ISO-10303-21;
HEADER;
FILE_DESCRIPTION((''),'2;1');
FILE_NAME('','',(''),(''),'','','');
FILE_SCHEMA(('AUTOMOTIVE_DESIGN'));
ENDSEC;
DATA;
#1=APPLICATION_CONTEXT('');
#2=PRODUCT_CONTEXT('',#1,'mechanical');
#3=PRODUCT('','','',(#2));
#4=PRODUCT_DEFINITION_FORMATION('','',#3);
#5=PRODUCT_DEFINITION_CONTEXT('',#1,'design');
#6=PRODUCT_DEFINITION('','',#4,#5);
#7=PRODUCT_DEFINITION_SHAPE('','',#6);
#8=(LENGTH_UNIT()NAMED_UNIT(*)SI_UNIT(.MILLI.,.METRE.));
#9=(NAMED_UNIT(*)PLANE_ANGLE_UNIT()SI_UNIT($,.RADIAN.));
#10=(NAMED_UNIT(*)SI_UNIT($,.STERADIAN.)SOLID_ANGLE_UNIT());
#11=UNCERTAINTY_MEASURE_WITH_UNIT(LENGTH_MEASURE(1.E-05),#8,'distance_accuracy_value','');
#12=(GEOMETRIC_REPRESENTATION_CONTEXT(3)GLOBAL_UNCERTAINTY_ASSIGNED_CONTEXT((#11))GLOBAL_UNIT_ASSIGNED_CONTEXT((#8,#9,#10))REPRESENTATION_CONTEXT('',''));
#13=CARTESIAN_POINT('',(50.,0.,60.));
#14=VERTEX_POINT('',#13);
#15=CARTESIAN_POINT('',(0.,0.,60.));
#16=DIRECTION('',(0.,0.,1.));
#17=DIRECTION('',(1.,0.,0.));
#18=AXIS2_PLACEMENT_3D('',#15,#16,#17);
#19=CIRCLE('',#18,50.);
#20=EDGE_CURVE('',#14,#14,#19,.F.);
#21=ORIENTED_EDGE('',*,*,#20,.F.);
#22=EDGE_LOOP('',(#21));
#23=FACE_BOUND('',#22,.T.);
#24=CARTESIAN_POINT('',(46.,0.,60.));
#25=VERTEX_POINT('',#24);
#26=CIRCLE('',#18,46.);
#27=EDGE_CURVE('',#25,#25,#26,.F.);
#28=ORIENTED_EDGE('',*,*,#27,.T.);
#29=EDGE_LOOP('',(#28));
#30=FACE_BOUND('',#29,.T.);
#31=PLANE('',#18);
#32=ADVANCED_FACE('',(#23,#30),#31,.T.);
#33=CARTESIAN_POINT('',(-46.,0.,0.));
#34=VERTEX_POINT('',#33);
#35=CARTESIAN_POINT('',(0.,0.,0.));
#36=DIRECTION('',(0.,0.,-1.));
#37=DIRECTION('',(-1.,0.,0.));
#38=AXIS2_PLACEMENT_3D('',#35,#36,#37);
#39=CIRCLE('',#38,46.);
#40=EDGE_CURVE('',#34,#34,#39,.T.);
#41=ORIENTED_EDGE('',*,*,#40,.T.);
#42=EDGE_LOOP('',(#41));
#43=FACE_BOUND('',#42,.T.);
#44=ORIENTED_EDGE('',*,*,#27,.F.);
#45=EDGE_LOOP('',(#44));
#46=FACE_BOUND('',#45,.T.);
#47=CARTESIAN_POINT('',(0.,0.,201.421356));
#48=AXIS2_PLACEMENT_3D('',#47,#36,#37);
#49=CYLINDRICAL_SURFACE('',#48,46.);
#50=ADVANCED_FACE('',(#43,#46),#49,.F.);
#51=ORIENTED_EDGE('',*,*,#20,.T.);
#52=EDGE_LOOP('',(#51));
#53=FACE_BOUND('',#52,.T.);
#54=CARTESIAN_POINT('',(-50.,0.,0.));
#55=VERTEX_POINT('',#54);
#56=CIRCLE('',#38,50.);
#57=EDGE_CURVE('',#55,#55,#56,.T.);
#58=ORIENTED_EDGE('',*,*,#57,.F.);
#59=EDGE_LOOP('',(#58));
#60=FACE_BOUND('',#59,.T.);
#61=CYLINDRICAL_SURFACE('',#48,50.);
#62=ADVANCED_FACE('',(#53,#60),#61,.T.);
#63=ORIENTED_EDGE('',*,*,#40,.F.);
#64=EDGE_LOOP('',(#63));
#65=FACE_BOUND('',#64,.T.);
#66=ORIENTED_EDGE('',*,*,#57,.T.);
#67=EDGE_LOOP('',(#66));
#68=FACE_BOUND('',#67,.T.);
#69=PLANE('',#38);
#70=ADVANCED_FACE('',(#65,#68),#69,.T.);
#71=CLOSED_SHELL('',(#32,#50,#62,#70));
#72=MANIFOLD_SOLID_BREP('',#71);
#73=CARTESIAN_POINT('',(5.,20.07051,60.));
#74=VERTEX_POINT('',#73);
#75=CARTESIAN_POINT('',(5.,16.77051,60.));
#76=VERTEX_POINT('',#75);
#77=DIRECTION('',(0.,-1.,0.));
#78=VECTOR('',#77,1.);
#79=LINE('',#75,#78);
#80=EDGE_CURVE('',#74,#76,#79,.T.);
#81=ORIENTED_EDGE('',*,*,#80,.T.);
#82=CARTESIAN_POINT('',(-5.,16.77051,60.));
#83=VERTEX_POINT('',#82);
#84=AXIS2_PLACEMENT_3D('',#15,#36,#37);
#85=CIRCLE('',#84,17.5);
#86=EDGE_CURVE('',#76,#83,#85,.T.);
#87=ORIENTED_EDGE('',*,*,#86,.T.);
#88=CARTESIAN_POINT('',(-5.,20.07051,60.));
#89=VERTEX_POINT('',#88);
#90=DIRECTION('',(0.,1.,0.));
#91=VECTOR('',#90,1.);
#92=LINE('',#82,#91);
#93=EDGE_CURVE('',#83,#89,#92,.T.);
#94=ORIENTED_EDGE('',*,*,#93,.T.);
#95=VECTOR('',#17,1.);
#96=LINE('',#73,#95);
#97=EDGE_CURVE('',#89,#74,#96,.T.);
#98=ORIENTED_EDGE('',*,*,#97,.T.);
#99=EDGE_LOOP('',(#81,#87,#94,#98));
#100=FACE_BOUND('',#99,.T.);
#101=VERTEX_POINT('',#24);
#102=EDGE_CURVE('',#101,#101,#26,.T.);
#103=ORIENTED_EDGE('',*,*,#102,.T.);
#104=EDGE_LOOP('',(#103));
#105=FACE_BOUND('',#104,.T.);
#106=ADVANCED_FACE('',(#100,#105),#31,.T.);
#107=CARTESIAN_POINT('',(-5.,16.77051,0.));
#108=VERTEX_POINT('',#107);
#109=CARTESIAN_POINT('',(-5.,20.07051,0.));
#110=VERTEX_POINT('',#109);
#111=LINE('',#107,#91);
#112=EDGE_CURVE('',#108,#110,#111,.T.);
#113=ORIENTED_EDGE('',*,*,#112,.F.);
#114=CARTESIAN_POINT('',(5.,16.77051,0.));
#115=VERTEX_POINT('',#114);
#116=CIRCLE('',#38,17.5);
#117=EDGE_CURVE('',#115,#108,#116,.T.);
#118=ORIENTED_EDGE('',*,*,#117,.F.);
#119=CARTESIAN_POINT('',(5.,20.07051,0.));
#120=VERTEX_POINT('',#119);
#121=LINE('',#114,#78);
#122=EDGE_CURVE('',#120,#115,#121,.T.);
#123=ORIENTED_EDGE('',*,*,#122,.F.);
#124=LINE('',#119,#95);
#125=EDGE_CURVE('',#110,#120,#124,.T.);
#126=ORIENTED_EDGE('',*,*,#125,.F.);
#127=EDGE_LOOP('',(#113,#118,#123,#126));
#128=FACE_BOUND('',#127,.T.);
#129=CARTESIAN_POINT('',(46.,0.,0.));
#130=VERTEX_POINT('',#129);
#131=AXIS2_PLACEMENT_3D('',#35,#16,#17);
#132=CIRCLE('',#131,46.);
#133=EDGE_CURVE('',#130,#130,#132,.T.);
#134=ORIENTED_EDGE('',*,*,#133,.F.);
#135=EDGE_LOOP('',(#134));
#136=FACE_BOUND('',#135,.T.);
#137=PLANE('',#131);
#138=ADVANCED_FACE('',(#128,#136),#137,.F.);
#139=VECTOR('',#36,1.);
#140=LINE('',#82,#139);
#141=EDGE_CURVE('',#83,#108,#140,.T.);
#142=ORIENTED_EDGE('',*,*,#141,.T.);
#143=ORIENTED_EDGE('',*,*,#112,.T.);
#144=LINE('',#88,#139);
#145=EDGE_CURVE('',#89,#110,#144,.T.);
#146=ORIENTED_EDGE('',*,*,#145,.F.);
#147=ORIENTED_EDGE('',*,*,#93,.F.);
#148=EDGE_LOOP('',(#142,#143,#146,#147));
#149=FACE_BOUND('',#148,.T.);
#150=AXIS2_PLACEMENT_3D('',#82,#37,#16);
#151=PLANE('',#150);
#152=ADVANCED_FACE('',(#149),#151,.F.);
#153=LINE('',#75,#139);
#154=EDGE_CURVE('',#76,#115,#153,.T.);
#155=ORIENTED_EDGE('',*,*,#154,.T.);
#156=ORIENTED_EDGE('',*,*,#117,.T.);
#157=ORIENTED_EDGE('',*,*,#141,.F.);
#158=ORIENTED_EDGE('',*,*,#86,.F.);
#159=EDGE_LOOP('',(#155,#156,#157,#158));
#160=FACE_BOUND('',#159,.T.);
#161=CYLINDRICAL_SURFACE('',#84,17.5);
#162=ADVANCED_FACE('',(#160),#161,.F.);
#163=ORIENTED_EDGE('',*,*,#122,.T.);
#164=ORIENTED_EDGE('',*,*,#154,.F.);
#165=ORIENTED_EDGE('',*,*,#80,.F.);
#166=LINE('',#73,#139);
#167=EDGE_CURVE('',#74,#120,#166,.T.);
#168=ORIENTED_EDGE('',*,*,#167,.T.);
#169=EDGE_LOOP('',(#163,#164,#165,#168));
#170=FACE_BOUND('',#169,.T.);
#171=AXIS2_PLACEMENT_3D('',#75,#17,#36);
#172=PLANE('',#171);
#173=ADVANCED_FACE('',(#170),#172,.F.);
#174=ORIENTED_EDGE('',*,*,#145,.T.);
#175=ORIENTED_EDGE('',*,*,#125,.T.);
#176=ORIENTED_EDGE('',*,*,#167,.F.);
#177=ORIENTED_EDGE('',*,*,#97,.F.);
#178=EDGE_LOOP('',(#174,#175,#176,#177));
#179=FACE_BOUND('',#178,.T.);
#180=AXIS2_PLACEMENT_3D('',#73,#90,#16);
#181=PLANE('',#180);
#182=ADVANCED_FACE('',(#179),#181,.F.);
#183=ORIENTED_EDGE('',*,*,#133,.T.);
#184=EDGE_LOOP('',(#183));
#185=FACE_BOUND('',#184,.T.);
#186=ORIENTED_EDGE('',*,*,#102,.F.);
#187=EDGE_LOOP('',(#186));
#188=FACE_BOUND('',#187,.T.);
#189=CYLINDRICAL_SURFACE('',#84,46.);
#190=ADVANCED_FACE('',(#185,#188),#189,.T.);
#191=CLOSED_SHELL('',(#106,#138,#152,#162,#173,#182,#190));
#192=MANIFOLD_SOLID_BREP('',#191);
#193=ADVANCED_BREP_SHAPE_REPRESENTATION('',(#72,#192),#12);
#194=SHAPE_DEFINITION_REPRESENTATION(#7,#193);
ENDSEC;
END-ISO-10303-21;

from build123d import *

# Parameters (mm, degrees)
SKETCH1_R           = 46
BOSS_EXTRUDE1_DEPTH = 60
SKETCH2_R           = 17.5
CUT_EXTRUDE1_DEPTH  = 89.498587559
CUT_EXTRUDE2_DEPTH  = 89.498587559
SKETCH4_R           = 50
SKETCH4_R_2         = 46
BOSS_EXTRUDE2_DEPTH = 60


with BuildPart() as part:
    # Sketch1 → Boss-Extrude1 (new body)
    with BuildSketch(Plane.XY):
        Circle(SKETCH1_R)
    extrude(amount=BOSS_EXTRUDE1_DEPTH)

    # Sketch2 → Cut-Extrude1 (cut, through all)
    with BuildSketch(Plane(origin=(0, 0, 0), x_dir=(-1, 0, 0), z_dir=(0, 0, -1))):
        Circle(SKETCH2_R)
    extrude(amount=-CUT_EXTRUDE1_DEPTH, mode=Mode.SUBTRACT)

    # Sketch3 → Cut-Extrude2 (cut, through all)
    with BuildSketch(Plane(origin=(0, 0, 0), x_dir=(-1, 0, 0), z_dir=(0, 0, -1))):
        with BuildLine():
            Line((-5, 16.770509831), (-5, 20.070509831))
            Line((-5, 20.070509831), (5, 20.070509831))
            Line((5, 20.070509831), (5, 16.770509831))
            ThreePointArc((5, 16.770509831), (0, 17.5), (-5, 16.770509831))
        make_face()
    extrude(amount=-CUT_EXTRUDE2_DEPTH, mode=Mode.SUBTRACT)


with BuildPart() as body_2:
    # Sketch4 → Boss-Extrude2 (new body)
    with BuildSketch(Plane(origin=(0, 0, 0), x_dir=(-1, 0, 0), z_dir=(0, 0, -1))):
        Circle(SKETCH4_R)
        Circle(SKETCH4_R_2, mode=Mode.SUBTRACT)
    extrude(amount=-BOSS_EXTRUDE2_DEPTH)


solid = Compound([part.part, body_2.part])
